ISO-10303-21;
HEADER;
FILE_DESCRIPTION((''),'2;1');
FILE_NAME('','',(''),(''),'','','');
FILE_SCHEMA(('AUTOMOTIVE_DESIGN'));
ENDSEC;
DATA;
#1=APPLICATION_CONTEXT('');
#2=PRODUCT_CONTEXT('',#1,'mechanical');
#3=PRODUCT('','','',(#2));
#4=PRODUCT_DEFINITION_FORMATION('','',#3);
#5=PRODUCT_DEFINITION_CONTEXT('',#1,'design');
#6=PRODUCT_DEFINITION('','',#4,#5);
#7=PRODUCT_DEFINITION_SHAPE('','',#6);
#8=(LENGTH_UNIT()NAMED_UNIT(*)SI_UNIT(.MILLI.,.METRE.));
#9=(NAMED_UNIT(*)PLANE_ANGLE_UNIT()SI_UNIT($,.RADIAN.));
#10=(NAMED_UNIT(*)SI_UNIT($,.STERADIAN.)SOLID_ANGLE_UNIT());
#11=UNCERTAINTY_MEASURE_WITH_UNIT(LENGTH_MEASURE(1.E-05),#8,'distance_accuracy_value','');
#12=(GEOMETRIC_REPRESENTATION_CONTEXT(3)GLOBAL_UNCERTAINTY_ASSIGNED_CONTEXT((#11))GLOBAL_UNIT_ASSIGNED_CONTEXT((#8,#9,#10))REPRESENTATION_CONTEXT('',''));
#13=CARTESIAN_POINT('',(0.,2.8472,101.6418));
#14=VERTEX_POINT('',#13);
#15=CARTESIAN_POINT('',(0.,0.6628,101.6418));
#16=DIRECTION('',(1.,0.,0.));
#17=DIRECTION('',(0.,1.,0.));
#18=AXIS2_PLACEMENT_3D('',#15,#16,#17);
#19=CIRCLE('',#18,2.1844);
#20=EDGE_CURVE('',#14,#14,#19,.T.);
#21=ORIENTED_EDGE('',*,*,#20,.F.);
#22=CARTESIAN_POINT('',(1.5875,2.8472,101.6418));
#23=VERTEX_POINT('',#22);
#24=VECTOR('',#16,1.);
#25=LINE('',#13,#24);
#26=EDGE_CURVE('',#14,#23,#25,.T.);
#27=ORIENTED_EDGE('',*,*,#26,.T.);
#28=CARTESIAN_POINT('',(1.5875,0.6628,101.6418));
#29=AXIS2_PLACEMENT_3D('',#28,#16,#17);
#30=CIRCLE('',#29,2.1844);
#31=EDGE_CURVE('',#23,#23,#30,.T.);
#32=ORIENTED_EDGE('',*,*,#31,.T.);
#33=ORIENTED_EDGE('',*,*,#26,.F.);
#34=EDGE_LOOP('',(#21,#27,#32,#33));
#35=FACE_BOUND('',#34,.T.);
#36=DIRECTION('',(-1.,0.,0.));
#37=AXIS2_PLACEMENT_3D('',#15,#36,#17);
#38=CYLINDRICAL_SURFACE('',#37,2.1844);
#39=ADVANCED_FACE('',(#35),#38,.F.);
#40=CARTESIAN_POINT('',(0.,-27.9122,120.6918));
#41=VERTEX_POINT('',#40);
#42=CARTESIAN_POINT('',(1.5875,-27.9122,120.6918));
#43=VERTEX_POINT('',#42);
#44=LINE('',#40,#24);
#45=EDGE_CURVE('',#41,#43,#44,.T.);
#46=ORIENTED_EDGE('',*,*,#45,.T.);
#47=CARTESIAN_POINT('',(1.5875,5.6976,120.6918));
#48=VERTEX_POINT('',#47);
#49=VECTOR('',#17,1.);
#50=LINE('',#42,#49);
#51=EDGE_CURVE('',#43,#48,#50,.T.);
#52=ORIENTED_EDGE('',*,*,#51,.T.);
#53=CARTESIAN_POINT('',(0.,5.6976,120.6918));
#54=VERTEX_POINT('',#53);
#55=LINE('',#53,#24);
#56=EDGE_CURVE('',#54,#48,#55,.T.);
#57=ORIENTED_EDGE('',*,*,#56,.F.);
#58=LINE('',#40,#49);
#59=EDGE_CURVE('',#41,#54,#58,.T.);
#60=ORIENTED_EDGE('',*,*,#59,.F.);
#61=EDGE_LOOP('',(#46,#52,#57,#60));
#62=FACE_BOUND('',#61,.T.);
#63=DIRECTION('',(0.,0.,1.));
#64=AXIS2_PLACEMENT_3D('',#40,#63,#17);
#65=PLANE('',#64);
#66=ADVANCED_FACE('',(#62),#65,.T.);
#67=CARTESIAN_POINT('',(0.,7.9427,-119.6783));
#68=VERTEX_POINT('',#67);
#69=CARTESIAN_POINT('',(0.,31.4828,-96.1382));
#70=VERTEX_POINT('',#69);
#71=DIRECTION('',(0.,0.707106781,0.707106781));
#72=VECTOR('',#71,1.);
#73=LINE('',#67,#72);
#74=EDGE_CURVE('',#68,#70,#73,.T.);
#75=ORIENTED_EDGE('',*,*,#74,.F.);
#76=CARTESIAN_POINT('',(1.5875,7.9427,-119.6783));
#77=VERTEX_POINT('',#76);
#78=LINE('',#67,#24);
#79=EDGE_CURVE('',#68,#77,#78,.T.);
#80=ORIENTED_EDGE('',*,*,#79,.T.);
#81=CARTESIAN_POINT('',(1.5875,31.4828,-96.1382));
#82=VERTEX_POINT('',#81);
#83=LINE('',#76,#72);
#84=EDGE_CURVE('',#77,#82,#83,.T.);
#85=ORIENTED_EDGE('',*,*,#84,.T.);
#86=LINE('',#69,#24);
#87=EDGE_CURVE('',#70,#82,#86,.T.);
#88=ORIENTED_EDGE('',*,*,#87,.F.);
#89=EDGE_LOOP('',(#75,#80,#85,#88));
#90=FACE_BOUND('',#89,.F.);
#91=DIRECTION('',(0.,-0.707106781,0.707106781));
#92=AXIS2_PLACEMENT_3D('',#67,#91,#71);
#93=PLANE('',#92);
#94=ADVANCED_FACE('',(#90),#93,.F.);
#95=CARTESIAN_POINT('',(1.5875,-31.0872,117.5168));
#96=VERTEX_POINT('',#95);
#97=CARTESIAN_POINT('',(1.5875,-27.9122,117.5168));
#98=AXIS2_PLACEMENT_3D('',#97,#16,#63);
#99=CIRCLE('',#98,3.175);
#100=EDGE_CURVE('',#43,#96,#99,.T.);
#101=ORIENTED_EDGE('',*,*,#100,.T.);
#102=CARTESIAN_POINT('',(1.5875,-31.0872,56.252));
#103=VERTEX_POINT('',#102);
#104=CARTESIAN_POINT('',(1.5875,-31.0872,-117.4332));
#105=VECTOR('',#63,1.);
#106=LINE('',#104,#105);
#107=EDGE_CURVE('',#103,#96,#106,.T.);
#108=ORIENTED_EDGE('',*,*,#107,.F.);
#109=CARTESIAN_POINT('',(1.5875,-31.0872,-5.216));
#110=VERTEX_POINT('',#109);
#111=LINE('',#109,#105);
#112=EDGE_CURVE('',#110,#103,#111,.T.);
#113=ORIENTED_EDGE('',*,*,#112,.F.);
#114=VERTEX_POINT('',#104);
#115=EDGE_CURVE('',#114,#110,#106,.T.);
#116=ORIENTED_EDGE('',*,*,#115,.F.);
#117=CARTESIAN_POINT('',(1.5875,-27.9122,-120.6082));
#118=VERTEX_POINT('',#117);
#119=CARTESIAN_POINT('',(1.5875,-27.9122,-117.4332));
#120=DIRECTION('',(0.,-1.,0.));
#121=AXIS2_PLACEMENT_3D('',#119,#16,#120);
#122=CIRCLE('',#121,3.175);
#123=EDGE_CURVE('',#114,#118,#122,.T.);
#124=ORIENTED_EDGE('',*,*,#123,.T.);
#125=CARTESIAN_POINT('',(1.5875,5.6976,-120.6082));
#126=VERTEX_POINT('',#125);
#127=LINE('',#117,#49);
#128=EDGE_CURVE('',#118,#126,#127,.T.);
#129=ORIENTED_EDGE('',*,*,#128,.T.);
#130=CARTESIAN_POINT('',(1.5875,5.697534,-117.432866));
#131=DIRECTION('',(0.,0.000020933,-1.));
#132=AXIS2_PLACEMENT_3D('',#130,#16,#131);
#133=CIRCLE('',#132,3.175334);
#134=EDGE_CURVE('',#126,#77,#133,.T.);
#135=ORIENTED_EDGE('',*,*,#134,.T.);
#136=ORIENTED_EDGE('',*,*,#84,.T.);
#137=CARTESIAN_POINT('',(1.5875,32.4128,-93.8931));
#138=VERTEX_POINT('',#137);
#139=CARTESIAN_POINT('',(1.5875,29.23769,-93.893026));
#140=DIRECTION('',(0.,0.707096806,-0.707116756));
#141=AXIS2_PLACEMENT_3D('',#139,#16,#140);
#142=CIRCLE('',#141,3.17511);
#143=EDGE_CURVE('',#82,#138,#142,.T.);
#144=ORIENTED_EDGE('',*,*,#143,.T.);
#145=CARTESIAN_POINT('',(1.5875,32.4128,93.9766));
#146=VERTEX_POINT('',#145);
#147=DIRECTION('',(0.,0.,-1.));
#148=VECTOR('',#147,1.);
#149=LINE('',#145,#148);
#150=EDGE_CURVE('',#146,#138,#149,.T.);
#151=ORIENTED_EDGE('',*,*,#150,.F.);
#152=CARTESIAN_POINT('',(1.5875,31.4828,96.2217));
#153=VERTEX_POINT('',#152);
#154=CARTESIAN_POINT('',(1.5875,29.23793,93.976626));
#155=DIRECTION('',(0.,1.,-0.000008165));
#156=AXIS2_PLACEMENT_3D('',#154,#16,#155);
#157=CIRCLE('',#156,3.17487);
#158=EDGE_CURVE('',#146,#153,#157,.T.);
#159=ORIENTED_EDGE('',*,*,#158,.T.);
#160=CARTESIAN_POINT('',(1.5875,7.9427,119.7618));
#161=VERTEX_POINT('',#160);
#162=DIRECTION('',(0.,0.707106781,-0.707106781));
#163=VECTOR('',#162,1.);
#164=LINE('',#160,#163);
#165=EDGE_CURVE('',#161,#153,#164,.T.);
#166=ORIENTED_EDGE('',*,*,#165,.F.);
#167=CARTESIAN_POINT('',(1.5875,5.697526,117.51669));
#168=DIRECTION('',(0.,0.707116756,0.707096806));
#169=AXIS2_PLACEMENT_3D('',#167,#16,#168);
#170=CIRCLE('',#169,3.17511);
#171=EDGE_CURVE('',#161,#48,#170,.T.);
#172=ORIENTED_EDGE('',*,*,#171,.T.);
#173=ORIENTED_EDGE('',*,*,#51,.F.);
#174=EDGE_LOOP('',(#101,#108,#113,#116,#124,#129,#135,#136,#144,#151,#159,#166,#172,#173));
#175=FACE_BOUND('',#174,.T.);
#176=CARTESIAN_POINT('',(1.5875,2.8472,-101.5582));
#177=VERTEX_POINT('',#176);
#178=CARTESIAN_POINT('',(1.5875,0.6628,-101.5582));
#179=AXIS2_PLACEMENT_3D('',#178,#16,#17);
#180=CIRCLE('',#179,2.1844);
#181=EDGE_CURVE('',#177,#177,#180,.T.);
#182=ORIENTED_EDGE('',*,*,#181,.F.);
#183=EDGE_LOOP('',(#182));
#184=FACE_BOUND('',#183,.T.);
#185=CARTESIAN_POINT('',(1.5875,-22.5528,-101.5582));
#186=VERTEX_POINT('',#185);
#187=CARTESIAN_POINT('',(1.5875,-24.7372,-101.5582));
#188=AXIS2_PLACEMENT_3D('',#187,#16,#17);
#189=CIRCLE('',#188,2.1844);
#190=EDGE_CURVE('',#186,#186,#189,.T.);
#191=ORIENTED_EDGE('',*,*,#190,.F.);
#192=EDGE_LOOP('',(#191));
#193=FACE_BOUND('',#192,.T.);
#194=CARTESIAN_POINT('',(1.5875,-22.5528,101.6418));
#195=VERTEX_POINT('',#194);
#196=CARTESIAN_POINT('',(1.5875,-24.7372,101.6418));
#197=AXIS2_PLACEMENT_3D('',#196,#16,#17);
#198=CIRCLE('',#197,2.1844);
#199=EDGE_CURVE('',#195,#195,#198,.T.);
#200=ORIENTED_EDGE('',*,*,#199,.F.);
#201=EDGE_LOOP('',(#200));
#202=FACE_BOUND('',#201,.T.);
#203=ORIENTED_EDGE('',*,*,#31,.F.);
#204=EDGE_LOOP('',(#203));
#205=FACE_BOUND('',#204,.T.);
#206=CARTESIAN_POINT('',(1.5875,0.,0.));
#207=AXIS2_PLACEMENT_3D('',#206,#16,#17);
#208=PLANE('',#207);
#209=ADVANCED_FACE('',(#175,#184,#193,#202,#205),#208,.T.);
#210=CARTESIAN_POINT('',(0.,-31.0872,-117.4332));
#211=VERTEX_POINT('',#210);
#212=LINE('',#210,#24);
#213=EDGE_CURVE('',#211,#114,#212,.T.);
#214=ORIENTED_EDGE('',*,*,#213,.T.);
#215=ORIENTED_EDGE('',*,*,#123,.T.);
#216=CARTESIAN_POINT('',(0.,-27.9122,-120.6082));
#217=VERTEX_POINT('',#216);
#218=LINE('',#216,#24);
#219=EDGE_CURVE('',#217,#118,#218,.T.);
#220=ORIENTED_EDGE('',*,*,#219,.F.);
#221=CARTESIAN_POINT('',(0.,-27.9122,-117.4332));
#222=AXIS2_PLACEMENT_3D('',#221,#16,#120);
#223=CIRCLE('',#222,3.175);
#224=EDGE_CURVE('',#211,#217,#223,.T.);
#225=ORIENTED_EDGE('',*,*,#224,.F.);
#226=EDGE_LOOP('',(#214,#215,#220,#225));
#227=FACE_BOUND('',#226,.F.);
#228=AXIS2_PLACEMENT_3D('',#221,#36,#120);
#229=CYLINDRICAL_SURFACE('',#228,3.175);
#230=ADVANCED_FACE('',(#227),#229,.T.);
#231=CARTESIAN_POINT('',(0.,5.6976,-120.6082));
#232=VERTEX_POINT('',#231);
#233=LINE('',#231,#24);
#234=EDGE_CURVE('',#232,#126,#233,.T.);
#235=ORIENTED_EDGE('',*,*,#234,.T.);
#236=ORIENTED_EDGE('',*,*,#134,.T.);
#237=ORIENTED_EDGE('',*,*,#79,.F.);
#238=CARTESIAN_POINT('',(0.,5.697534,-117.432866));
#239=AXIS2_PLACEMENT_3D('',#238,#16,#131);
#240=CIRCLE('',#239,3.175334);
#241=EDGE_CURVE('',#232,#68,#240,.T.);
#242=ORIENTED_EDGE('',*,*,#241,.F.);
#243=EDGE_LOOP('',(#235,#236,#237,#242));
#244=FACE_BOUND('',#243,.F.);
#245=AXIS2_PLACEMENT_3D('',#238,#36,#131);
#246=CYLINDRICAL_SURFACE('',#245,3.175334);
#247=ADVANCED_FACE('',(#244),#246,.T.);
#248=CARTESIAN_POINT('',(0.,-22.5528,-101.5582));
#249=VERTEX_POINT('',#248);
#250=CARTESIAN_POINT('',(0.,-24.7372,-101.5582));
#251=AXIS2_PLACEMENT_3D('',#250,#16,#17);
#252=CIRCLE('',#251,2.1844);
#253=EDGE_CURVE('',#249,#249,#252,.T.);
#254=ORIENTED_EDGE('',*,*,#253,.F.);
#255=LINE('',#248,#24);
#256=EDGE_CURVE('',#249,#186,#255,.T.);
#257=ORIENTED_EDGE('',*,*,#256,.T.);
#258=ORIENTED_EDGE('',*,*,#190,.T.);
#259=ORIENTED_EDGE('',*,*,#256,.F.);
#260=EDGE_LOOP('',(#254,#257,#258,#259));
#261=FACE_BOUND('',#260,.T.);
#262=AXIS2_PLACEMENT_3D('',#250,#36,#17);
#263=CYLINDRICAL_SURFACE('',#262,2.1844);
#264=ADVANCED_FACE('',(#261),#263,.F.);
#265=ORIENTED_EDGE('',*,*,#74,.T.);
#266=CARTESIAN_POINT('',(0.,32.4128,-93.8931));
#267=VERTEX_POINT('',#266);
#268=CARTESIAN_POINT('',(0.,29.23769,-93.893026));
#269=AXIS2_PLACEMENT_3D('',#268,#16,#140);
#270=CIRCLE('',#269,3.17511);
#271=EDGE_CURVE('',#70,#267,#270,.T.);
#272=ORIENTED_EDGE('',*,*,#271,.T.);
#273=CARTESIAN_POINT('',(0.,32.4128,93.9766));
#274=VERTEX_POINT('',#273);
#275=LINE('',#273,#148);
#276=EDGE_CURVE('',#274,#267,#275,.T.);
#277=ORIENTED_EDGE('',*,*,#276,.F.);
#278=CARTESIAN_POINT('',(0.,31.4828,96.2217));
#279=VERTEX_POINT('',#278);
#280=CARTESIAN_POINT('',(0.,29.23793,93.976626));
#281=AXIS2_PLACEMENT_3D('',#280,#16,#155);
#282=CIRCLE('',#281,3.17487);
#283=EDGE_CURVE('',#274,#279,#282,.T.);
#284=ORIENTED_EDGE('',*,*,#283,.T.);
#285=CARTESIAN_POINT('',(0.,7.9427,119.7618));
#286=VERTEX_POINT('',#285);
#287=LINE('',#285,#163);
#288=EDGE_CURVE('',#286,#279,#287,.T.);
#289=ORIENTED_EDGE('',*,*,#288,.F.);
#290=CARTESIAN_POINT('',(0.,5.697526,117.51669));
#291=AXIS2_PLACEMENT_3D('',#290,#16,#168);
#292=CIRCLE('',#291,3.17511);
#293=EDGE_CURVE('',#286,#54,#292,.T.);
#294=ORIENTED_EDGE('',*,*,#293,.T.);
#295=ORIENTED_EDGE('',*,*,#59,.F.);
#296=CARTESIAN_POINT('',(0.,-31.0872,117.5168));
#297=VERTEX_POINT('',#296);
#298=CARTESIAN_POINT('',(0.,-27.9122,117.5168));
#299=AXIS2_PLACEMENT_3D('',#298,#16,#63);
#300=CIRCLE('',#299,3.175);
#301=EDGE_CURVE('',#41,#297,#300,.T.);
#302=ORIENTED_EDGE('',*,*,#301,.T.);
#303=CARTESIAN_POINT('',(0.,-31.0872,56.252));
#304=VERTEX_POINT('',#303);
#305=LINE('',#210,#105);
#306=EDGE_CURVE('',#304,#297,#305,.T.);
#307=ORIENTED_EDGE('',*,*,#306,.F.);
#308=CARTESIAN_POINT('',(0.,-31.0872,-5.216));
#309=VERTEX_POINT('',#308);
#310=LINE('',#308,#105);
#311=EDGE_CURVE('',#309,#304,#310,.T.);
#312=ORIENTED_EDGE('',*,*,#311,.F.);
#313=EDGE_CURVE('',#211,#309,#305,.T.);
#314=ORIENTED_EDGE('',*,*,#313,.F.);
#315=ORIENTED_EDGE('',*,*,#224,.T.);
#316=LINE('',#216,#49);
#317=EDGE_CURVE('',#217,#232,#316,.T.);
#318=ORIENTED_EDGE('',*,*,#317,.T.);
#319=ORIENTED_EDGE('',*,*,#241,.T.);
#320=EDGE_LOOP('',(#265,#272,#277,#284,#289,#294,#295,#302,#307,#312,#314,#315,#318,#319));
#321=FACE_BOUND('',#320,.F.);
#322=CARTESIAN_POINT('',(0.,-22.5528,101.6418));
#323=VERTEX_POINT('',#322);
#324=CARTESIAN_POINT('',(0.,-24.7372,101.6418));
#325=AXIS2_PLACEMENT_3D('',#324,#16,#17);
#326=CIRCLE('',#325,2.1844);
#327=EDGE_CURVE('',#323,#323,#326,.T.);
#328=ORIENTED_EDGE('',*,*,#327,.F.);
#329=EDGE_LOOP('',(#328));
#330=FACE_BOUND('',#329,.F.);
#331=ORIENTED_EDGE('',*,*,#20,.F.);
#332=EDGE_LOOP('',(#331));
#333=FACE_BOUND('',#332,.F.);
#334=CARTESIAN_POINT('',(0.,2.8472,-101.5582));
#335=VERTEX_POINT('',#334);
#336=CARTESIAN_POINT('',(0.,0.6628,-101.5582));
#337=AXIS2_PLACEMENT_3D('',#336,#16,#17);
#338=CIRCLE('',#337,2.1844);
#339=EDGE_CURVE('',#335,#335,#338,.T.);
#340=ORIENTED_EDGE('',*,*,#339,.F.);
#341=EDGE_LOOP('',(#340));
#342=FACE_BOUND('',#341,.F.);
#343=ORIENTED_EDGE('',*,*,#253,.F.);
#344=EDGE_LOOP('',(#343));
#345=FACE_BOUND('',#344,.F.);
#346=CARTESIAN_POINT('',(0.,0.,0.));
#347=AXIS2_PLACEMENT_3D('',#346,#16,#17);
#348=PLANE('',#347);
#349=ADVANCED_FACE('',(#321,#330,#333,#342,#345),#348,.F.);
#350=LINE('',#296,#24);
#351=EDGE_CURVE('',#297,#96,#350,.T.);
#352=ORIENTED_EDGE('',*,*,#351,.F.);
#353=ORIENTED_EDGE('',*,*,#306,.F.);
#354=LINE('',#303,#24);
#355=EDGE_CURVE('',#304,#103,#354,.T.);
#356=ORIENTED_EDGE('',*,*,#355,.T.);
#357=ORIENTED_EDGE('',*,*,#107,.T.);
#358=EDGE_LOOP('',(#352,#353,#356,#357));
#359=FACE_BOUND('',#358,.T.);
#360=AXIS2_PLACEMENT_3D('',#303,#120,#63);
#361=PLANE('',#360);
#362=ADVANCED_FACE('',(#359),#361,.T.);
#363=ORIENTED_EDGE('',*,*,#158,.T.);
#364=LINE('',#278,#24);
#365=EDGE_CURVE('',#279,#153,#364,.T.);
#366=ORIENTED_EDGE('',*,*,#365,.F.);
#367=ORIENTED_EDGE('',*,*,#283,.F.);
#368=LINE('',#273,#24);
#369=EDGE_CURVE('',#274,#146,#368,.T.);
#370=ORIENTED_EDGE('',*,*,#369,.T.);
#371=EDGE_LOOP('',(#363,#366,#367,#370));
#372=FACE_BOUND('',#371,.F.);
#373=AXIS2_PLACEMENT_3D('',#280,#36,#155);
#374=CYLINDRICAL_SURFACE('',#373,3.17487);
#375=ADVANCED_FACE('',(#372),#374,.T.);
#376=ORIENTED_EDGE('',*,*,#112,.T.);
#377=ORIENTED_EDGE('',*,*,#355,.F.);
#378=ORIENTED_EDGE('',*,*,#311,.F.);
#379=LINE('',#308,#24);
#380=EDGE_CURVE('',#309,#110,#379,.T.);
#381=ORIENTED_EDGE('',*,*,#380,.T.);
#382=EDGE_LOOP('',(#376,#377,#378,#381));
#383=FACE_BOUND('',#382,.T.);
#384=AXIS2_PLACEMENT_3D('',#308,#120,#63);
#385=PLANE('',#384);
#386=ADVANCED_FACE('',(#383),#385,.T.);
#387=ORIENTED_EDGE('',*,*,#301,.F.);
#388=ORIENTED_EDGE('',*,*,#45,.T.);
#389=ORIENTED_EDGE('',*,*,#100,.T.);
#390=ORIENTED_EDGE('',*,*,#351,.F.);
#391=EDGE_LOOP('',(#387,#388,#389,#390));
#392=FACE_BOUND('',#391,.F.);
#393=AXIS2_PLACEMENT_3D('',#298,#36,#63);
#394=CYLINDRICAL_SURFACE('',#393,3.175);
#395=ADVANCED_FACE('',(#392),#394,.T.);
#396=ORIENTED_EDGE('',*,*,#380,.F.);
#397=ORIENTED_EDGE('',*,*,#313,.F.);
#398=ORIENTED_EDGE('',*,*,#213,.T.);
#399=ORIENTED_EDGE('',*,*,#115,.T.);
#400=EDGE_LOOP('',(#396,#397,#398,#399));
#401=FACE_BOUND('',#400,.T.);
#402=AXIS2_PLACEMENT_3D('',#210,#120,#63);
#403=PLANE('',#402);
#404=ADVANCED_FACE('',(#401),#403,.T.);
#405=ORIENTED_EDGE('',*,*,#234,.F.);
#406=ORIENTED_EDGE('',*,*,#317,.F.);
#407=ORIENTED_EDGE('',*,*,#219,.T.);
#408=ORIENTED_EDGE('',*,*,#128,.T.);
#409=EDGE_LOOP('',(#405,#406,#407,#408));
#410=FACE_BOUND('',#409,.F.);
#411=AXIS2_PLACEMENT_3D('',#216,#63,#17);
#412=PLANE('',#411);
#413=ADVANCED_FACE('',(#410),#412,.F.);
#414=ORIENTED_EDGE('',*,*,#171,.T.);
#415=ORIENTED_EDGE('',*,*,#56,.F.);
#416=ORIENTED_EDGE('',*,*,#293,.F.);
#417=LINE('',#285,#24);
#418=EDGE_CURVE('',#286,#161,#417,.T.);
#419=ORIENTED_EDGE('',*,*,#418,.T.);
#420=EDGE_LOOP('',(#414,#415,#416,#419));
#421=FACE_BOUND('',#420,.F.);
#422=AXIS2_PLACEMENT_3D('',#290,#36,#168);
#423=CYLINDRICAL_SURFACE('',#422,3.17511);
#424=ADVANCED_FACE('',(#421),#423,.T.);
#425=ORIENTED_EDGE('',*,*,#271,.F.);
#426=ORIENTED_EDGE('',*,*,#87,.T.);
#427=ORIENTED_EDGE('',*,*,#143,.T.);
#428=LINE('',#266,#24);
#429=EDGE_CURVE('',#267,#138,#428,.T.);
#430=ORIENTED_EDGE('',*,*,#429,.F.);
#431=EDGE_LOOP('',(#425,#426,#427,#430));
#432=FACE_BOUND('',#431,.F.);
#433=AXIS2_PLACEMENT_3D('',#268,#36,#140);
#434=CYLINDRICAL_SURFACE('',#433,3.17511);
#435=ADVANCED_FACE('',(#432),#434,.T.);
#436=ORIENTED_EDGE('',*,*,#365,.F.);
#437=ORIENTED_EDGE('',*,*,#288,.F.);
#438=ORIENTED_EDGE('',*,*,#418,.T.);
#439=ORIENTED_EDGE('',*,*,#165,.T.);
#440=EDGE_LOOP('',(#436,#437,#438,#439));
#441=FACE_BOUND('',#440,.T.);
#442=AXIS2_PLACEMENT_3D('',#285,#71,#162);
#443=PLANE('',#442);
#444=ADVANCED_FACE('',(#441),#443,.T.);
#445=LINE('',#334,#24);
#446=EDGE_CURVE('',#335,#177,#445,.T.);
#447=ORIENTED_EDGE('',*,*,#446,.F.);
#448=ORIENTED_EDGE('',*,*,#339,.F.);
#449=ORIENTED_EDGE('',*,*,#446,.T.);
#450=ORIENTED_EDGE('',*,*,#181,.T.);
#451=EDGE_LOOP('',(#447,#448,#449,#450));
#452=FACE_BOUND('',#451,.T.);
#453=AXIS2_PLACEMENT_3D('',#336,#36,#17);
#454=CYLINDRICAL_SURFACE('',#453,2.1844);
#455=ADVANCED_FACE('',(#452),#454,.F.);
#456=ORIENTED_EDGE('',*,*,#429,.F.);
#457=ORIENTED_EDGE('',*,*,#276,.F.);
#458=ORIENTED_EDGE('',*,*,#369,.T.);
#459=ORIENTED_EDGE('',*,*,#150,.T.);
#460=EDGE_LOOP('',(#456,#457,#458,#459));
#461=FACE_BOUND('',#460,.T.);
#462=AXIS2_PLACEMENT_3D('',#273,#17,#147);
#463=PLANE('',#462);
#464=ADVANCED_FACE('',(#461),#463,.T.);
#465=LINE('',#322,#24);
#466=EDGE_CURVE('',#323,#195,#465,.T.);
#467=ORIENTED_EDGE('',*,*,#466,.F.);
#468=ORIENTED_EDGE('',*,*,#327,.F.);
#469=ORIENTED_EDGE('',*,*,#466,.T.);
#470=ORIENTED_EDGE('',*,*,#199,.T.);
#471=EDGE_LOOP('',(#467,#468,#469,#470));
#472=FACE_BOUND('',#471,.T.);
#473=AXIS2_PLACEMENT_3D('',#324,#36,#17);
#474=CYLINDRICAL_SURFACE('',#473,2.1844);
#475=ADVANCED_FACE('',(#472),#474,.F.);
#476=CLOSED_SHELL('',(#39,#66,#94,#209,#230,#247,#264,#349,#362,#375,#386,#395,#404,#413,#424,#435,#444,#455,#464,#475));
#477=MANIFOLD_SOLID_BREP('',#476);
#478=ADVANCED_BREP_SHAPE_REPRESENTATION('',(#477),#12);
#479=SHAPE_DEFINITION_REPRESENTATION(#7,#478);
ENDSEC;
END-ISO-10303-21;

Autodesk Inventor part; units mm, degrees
ref_plane "YZ Plane" through (0, 0, 0) normal (1, 0, 0) x (0, 1, 0)
ref_plane "XZ Plane" through (0, 0, 0) normal (0, 1, 0) x (-1, 0, 0)
ref_plane "XY Plane" through (0, 0, 0) normal (0, 0, 1) x (1, 0, 0)
sketch "Sketch1" plane through (0, 0, 0) normal (1, 0, 0) x (0, 1, 0)
  line L0 (-31.0872, -5.216) -> (-31.0872, 56.252)
  line L1 (-31.0872, -117.4332) -> (-31.0872, 117.5168)
  line L2 (-27.9122, 120.6918) -> (5.6976, 120.6918)
  line L3 (-27.9122, -120.6082) -> (5.6976, -120.6082)
  line L4 (32.4128, 93.9766) -> (32.4128, -93.8931)
  line L5 (7.9427, 119.7618) -> (31.4828, 96.2217)
  line L6 (7.9427, -119.6783) -> (31.4828, -96.1382)
  arc A0 (32.4128, 93.9766) -> (31.4828, 96.2217) centre (29.2378, 93.9766) ccw
  arc A1 (31.4828, -96.1382) -> (32.4128, -93.8931) centre (29.2378, -93.8931) ccw
  arc A2 (5.6976, -120.6082) -> (7.9427, -119.6783) centre (5.6976, -117.4332) ccw
  arc A3 (-31.0872, -117.4332) -> (-27.9122, -120.6082) centre (-27.9122, -117.4332) ccw
  arc A4 (-27.9122, 120.6918) -> (-31.0872, 117.5168) centre (-27.9122, 117.5168) ccw
  arc A5 (7.9427, 119.7618) -> (5.6976, 120.6918) centre (5.6976, 117.5168) ccw
  circle A6 centre (0.6628, 101.6418) radius 2.1844
  circle A7 centre (-24.7372, 101.6418) radius 2.1844
  circle A8 centre (-24.7372, -101.5582) radius 2.1844
  circle A9 centre (0.6628, -101.5582) radius 2.1844
  point P0 (0, 0)
  point P1 (-31.0872, -120.6082)
  point P2 (-31.0872, 120.6918)
  point P3 (7.0128, 120.6918)
  point P4 (7.0128, -120.6082)
  dimension "d0" = 241.3
  dimension "d1" = 38.1
  dimension "d2" = 38.1
  dimension "d3" = 3.175
  dimension "d4" = 3.175
  dimension "d5" = 3.175
  dimension "d6" = 3.175
  dimension "d7" = 3.175
  dimension "d8" = 3.175
  dimension "d15" = 4.3688
  dimension "d16" = 4.3688
  dimension "d17" = 4.3688
  dimension "d18" = 4.3688
extrude "Extrusion1" add sketch "Sketch1" along normal blind 1.5875
properties part number "wedge"
